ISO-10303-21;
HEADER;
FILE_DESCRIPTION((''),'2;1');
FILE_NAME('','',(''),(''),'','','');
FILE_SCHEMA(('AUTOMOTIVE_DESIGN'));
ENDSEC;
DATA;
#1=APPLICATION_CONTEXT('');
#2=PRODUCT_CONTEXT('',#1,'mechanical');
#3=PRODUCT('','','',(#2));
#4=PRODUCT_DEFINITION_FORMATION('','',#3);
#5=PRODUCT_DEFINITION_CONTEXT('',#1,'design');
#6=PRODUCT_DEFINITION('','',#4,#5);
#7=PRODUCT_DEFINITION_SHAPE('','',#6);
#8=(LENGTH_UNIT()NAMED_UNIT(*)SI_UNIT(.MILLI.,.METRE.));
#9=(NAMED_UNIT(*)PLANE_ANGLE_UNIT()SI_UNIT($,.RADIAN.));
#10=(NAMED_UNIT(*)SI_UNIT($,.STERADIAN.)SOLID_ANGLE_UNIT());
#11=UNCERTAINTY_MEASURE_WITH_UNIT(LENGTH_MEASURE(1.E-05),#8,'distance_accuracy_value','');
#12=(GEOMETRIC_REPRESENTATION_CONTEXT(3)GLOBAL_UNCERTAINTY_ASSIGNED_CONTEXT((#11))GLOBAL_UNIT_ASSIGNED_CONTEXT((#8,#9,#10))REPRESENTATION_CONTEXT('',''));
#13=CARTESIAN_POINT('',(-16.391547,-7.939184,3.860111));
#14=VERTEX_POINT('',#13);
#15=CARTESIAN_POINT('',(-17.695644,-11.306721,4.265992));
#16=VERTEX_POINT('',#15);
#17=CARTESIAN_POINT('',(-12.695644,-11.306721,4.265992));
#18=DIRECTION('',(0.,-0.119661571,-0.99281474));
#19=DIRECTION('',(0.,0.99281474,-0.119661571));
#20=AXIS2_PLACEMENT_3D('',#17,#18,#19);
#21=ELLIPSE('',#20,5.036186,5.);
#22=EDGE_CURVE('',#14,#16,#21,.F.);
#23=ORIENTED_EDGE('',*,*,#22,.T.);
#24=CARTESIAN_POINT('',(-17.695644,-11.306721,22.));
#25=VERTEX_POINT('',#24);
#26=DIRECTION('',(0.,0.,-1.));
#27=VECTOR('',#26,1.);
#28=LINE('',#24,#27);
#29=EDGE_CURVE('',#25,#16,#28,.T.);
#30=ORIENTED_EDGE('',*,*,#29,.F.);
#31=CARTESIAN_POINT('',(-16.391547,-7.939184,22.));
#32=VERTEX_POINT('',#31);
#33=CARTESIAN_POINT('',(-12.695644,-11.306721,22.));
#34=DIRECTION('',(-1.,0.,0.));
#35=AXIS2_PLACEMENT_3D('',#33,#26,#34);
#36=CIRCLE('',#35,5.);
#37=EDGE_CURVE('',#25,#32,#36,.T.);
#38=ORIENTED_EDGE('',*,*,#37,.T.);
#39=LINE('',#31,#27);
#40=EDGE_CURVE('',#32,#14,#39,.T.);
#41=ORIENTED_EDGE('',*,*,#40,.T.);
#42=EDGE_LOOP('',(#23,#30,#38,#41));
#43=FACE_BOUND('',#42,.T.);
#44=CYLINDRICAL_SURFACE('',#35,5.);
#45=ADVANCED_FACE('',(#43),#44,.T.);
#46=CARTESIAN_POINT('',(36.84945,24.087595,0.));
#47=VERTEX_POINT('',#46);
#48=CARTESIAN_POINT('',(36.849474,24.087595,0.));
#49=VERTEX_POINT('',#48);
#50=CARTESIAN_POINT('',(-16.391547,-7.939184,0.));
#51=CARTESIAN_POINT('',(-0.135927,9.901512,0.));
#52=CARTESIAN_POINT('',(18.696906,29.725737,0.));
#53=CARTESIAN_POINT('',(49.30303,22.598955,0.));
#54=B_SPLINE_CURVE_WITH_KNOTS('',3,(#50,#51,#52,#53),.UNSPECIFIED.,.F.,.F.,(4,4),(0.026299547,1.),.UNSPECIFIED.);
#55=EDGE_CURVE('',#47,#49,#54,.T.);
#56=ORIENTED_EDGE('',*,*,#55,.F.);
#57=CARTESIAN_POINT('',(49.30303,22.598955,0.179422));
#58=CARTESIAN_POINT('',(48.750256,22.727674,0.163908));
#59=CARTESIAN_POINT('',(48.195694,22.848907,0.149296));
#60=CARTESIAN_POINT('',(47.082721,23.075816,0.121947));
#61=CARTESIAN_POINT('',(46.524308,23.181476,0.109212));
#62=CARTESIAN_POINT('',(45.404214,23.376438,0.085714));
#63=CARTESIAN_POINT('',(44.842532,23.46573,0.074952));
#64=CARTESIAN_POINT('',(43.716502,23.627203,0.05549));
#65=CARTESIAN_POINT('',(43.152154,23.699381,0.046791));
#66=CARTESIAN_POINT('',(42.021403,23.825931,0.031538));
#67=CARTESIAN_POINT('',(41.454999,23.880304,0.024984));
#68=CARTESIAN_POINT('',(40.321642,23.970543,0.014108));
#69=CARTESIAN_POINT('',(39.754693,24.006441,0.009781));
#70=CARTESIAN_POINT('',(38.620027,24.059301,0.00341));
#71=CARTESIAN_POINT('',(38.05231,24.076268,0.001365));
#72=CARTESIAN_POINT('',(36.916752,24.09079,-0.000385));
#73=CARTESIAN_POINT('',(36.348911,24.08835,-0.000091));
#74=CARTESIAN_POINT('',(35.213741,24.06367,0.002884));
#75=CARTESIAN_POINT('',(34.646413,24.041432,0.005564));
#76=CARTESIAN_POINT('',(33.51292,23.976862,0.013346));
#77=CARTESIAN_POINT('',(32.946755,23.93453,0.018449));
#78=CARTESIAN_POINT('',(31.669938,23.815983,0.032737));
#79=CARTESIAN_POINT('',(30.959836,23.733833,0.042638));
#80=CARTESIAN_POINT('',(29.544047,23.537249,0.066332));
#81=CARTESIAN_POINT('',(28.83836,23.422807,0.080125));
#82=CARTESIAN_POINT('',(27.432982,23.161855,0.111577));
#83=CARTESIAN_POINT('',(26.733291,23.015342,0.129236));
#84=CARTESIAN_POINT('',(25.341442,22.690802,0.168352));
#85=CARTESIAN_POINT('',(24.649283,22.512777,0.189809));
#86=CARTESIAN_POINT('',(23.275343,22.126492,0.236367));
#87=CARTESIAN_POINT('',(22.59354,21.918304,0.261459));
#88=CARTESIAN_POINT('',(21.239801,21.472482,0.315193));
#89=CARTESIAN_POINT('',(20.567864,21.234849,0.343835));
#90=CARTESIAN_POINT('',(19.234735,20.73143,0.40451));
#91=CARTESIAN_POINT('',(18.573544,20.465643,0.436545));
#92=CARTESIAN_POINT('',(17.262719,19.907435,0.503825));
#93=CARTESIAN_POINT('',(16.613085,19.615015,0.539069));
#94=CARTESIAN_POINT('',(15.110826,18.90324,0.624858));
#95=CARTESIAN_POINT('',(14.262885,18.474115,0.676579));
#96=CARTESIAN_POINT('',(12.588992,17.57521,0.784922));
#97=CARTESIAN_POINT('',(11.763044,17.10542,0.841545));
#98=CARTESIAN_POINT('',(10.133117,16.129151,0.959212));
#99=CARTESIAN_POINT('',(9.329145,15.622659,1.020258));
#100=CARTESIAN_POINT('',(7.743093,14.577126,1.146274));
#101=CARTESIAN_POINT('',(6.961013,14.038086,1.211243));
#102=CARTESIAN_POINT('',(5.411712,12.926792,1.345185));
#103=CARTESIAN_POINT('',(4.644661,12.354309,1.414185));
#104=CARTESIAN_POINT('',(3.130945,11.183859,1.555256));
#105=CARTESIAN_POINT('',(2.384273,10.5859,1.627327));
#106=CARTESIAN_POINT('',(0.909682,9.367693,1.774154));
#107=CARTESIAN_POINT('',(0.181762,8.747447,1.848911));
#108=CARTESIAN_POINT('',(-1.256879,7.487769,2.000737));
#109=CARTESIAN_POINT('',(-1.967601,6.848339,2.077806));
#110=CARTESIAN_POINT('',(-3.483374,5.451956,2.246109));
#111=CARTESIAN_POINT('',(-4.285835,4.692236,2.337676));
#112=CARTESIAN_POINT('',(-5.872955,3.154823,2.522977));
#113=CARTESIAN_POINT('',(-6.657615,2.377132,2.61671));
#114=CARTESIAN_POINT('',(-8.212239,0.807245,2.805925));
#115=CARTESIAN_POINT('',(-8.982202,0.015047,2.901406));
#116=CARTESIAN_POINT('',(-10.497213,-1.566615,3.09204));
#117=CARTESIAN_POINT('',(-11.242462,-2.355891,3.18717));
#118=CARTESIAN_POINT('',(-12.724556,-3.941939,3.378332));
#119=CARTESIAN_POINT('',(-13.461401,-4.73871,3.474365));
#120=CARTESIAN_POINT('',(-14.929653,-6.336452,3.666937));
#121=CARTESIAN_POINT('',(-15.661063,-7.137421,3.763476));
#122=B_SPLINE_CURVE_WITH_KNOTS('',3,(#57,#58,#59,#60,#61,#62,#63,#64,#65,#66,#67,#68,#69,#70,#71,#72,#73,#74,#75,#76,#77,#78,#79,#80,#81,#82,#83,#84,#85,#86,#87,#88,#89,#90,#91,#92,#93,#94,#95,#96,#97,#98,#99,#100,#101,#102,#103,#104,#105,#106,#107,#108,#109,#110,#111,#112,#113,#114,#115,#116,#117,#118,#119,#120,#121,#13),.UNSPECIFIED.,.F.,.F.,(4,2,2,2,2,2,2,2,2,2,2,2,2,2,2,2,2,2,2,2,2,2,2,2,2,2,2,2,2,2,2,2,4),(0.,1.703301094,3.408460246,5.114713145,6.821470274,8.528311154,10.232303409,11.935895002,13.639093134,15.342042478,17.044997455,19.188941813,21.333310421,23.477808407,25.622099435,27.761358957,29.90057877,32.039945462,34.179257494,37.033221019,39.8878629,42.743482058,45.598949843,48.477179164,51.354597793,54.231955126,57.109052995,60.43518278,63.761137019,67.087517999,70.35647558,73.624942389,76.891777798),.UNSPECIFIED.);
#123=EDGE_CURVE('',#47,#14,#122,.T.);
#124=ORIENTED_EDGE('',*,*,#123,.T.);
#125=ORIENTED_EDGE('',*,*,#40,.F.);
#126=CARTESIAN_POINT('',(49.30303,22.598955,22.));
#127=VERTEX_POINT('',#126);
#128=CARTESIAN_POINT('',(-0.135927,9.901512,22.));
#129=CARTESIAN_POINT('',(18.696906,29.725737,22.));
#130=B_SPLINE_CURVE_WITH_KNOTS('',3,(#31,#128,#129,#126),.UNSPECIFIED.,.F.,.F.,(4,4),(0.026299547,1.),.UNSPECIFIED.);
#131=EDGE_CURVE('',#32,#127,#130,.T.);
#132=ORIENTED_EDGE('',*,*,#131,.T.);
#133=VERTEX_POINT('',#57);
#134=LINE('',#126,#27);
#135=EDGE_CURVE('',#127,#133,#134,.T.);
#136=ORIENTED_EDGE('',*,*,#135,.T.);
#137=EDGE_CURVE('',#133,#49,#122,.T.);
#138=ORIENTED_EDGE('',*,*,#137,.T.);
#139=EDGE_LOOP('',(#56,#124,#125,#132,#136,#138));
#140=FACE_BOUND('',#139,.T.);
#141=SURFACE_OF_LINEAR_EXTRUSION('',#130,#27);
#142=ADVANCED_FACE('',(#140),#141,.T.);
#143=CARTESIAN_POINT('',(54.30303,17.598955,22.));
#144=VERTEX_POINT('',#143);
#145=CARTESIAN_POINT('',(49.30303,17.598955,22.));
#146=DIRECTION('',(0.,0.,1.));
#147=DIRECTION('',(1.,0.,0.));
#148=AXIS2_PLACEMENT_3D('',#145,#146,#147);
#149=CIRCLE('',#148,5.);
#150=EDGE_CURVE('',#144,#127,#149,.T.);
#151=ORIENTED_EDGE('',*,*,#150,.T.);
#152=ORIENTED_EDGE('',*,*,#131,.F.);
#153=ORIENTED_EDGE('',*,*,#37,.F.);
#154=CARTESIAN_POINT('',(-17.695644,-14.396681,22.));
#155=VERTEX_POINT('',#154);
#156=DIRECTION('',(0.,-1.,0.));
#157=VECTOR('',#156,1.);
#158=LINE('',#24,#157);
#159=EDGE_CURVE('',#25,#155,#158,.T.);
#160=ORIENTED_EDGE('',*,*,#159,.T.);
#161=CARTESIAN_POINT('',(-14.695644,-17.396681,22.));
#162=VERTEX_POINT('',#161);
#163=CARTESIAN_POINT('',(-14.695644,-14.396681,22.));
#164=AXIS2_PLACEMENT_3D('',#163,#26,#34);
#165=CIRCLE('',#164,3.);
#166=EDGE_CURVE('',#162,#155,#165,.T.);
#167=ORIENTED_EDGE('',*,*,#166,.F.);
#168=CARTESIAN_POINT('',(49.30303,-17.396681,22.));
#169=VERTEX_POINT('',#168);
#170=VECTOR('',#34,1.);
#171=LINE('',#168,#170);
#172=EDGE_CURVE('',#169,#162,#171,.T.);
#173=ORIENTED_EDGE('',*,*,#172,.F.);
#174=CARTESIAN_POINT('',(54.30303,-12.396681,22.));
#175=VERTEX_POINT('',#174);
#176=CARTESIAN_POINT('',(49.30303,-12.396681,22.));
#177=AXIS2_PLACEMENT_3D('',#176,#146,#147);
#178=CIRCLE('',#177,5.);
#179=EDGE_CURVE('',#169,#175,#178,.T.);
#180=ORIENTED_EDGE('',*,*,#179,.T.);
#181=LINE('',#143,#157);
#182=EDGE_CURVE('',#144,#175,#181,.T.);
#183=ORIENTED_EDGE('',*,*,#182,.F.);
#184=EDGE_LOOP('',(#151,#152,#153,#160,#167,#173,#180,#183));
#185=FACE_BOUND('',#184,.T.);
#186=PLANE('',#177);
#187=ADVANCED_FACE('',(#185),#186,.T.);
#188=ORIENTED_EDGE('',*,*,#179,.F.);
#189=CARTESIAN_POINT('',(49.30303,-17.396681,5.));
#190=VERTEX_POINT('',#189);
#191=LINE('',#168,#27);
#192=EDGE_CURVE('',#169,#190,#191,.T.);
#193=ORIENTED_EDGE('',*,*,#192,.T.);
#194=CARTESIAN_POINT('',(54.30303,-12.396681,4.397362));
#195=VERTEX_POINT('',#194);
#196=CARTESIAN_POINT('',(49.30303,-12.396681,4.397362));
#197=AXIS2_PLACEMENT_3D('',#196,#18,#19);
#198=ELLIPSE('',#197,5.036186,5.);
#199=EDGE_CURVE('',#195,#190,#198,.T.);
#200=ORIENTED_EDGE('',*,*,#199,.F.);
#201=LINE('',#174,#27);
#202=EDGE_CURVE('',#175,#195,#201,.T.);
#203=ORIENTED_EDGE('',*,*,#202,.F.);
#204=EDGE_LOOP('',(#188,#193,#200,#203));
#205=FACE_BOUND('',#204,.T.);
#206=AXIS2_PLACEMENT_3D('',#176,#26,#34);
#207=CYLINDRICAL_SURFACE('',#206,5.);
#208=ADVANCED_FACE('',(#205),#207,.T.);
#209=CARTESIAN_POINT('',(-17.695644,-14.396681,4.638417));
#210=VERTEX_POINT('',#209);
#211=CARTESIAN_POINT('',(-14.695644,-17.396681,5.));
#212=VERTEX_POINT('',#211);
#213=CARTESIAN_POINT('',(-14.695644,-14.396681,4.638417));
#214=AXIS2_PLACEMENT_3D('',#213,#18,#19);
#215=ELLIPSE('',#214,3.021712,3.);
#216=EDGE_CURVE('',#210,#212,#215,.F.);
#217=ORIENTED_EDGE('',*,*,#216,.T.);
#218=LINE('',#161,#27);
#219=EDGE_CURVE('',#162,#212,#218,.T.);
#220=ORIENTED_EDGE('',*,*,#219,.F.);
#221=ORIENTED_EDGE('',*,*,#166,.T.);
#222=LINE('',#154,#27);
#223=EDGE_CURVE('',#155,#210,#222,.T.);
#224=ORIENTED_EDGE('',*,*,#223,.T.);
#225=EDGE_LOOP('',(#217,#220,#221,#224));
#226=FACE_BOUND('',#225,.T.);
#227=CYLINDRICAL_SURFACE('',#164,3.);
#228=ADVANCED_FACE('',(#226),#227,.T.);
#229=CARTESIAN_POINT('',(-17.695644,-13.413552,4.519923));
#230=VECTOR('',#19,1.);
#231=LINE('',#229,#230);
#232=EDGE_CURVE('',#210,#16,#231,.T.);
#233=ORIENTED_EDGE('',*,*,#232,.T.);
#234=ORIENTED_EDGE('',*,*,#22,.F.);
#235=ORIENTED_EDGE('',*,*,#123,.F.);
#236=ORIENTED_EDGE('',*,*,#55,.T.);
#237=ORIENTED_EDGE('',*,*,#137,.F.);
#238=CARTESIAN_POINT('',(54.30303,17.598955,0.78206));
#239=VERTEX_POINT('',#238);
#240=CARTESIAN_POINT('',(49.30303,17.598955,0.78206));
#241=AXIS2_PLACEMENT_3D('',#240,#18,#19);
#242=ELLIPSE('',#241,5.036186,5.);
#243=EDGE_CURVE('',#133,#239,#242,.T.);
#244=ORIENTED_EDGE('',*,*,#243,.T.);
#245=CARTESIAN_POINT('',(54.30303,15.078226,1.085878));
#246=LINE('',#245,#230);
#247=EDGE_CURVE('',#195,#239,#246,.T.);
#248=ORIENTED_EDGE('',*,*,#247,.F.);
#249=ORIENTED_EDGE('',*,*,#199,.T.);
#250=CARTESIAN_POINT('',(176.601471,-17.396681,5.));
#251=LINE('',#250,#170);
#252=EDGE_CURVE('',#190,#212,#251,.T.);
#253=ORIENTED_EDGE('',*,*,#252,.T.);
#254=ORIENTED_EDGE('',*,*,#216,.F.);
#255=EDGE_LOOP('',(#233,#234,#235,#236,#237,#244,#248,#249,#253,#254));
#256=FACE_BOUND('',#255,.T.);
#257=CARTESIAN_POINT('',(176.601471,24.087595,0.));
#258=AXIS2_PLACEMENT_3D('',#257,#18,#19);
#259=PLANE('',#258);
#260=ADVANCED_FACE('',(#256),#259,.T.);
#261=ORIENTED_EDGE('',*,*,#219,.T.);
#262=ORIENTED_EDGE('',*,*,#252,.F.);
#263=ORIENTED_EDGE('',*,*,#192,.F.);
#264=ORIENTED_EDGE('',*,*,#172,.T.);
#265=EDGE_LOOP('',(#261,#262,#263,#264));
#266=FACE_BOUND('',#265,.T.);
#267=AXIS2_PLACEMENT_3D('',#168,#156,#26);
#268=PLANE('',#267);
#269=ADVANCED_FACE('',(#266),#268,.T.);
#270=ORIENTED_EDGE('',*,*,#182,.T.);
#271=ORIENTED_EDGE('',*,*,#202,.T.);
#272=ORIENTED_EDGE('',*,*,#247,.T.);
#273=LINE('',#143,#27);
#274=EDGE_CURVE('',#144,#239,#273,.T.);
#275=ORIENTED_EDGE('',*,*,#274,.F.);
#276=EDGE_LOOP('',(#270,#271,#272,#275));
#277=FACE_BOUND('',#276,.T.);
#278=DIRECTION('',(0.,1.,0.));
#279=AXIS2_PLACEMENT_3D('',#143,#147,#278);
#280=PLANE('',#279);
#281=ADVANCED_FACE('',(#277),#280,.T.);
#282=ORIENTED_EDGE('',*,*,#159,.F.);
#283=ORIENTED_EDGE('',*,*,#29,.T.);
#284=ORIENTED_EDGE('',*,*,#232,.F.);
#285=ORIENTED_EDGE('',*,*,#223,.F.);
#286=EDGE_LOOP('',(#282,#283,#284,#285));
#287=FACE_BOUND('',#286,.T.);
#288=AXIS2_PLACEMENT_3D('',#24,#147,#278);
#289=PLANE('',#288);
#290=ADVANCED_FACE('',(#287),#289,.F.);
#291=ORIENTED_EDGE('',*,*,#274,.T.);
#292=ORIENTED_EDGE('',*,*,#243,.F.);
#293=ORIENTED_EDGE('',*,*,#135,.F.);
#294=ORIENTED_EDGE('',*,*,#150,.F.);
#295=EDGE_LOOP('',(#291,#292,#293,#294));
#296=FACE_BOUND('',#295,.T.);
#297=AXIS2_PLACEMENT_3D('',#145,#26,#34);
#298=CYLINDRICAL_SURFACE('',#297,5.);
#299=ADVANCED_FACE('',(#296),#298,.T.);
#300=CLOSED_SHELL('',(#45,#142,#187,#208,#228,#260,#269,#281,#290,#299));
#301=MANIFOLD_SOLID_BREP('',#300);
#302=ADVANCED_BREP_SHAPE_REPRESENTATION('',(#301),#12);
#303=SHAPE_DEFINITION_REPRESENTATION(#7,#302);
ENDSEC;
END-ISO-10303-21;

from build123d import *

# Parameters (mm, degrees)
BOSS_EXTRUDE1_DEPTH     = 22
CUT_EXTRUDE3_DEPTH      = 64.348491393
CUT_EXTRUDE3_DEPTH_BACK = 64.348491393


with BuildPart() as part:
    # Sketch1 → Boss-Extrude1 (new body)
    with BuildSketch(Plane.XY):
        with BuildLine():
            Line((54.303030303, 17.598954753), (54.303030303, -12.396681203))
            ThreePointArc((54.303030303, -12.396681203), (52.838564209, -15.932215109), (49.303030303, -17.396681203))
            Line((49.303030303, -17.396681203), (-14.695644242, -17.396681203))
            ThreePointArc((-14.695644242, -17.396681203), (-16.816964585, -16.518001547), (-17.695644242, -14.396681203))
            Line((-17.695644242, -14.396681203), (-17.695644242, -11.306720639))
            ThreePointArc((-17.695644242, -11.306720639), (-17.35823549, -9.50110638), (-16.3915471, -7.939184142))
            add(Edge.make_bspline(
                [(-16.3915471, -7.939184142), (-0.135926549, 9.901511722), (18.69690639, 29.725737375), (49.303030303, 22.598954753)],
                knots=[0.026299547, 0.026299547, 0.026299547, 0.026299547, 1, 1, 1, 1], degree=3))
            ThreePointArc((49.303030303, 22.598954753), (52.838564209, 21.134488659), (54.303030303, 17.598954753))
        make_face()
    extrude(amount=BOSS_EXTRUDE1_DEPTH)

    # Sketch3 → Cut-Extrude3 (cut, two sides: drawn at the far end of the back side and taken through both)
    with BuildSketch(Plane(origin=(0, 0, 0), x_dir=(0, 0, -1), z_dir=(1, 0, 0)).offset(-CUT_EXTRUDE3_DEPTH_BACK)):
        Polygon((12.434475201, 127.254636362), (0, 24.087595181), (-5, -17.396681203), (-17.434475201, -120.563722385), (188.899607163, -145.432672786), (218.768557564, 102.385685961), align=None)
    extrude(amount=CUT_EXTRUDE3_DEPTH + CUT_EXTRUDE3_DEPTH_BACK, mode=Mode.SUBTRACT)


solid = part.part
